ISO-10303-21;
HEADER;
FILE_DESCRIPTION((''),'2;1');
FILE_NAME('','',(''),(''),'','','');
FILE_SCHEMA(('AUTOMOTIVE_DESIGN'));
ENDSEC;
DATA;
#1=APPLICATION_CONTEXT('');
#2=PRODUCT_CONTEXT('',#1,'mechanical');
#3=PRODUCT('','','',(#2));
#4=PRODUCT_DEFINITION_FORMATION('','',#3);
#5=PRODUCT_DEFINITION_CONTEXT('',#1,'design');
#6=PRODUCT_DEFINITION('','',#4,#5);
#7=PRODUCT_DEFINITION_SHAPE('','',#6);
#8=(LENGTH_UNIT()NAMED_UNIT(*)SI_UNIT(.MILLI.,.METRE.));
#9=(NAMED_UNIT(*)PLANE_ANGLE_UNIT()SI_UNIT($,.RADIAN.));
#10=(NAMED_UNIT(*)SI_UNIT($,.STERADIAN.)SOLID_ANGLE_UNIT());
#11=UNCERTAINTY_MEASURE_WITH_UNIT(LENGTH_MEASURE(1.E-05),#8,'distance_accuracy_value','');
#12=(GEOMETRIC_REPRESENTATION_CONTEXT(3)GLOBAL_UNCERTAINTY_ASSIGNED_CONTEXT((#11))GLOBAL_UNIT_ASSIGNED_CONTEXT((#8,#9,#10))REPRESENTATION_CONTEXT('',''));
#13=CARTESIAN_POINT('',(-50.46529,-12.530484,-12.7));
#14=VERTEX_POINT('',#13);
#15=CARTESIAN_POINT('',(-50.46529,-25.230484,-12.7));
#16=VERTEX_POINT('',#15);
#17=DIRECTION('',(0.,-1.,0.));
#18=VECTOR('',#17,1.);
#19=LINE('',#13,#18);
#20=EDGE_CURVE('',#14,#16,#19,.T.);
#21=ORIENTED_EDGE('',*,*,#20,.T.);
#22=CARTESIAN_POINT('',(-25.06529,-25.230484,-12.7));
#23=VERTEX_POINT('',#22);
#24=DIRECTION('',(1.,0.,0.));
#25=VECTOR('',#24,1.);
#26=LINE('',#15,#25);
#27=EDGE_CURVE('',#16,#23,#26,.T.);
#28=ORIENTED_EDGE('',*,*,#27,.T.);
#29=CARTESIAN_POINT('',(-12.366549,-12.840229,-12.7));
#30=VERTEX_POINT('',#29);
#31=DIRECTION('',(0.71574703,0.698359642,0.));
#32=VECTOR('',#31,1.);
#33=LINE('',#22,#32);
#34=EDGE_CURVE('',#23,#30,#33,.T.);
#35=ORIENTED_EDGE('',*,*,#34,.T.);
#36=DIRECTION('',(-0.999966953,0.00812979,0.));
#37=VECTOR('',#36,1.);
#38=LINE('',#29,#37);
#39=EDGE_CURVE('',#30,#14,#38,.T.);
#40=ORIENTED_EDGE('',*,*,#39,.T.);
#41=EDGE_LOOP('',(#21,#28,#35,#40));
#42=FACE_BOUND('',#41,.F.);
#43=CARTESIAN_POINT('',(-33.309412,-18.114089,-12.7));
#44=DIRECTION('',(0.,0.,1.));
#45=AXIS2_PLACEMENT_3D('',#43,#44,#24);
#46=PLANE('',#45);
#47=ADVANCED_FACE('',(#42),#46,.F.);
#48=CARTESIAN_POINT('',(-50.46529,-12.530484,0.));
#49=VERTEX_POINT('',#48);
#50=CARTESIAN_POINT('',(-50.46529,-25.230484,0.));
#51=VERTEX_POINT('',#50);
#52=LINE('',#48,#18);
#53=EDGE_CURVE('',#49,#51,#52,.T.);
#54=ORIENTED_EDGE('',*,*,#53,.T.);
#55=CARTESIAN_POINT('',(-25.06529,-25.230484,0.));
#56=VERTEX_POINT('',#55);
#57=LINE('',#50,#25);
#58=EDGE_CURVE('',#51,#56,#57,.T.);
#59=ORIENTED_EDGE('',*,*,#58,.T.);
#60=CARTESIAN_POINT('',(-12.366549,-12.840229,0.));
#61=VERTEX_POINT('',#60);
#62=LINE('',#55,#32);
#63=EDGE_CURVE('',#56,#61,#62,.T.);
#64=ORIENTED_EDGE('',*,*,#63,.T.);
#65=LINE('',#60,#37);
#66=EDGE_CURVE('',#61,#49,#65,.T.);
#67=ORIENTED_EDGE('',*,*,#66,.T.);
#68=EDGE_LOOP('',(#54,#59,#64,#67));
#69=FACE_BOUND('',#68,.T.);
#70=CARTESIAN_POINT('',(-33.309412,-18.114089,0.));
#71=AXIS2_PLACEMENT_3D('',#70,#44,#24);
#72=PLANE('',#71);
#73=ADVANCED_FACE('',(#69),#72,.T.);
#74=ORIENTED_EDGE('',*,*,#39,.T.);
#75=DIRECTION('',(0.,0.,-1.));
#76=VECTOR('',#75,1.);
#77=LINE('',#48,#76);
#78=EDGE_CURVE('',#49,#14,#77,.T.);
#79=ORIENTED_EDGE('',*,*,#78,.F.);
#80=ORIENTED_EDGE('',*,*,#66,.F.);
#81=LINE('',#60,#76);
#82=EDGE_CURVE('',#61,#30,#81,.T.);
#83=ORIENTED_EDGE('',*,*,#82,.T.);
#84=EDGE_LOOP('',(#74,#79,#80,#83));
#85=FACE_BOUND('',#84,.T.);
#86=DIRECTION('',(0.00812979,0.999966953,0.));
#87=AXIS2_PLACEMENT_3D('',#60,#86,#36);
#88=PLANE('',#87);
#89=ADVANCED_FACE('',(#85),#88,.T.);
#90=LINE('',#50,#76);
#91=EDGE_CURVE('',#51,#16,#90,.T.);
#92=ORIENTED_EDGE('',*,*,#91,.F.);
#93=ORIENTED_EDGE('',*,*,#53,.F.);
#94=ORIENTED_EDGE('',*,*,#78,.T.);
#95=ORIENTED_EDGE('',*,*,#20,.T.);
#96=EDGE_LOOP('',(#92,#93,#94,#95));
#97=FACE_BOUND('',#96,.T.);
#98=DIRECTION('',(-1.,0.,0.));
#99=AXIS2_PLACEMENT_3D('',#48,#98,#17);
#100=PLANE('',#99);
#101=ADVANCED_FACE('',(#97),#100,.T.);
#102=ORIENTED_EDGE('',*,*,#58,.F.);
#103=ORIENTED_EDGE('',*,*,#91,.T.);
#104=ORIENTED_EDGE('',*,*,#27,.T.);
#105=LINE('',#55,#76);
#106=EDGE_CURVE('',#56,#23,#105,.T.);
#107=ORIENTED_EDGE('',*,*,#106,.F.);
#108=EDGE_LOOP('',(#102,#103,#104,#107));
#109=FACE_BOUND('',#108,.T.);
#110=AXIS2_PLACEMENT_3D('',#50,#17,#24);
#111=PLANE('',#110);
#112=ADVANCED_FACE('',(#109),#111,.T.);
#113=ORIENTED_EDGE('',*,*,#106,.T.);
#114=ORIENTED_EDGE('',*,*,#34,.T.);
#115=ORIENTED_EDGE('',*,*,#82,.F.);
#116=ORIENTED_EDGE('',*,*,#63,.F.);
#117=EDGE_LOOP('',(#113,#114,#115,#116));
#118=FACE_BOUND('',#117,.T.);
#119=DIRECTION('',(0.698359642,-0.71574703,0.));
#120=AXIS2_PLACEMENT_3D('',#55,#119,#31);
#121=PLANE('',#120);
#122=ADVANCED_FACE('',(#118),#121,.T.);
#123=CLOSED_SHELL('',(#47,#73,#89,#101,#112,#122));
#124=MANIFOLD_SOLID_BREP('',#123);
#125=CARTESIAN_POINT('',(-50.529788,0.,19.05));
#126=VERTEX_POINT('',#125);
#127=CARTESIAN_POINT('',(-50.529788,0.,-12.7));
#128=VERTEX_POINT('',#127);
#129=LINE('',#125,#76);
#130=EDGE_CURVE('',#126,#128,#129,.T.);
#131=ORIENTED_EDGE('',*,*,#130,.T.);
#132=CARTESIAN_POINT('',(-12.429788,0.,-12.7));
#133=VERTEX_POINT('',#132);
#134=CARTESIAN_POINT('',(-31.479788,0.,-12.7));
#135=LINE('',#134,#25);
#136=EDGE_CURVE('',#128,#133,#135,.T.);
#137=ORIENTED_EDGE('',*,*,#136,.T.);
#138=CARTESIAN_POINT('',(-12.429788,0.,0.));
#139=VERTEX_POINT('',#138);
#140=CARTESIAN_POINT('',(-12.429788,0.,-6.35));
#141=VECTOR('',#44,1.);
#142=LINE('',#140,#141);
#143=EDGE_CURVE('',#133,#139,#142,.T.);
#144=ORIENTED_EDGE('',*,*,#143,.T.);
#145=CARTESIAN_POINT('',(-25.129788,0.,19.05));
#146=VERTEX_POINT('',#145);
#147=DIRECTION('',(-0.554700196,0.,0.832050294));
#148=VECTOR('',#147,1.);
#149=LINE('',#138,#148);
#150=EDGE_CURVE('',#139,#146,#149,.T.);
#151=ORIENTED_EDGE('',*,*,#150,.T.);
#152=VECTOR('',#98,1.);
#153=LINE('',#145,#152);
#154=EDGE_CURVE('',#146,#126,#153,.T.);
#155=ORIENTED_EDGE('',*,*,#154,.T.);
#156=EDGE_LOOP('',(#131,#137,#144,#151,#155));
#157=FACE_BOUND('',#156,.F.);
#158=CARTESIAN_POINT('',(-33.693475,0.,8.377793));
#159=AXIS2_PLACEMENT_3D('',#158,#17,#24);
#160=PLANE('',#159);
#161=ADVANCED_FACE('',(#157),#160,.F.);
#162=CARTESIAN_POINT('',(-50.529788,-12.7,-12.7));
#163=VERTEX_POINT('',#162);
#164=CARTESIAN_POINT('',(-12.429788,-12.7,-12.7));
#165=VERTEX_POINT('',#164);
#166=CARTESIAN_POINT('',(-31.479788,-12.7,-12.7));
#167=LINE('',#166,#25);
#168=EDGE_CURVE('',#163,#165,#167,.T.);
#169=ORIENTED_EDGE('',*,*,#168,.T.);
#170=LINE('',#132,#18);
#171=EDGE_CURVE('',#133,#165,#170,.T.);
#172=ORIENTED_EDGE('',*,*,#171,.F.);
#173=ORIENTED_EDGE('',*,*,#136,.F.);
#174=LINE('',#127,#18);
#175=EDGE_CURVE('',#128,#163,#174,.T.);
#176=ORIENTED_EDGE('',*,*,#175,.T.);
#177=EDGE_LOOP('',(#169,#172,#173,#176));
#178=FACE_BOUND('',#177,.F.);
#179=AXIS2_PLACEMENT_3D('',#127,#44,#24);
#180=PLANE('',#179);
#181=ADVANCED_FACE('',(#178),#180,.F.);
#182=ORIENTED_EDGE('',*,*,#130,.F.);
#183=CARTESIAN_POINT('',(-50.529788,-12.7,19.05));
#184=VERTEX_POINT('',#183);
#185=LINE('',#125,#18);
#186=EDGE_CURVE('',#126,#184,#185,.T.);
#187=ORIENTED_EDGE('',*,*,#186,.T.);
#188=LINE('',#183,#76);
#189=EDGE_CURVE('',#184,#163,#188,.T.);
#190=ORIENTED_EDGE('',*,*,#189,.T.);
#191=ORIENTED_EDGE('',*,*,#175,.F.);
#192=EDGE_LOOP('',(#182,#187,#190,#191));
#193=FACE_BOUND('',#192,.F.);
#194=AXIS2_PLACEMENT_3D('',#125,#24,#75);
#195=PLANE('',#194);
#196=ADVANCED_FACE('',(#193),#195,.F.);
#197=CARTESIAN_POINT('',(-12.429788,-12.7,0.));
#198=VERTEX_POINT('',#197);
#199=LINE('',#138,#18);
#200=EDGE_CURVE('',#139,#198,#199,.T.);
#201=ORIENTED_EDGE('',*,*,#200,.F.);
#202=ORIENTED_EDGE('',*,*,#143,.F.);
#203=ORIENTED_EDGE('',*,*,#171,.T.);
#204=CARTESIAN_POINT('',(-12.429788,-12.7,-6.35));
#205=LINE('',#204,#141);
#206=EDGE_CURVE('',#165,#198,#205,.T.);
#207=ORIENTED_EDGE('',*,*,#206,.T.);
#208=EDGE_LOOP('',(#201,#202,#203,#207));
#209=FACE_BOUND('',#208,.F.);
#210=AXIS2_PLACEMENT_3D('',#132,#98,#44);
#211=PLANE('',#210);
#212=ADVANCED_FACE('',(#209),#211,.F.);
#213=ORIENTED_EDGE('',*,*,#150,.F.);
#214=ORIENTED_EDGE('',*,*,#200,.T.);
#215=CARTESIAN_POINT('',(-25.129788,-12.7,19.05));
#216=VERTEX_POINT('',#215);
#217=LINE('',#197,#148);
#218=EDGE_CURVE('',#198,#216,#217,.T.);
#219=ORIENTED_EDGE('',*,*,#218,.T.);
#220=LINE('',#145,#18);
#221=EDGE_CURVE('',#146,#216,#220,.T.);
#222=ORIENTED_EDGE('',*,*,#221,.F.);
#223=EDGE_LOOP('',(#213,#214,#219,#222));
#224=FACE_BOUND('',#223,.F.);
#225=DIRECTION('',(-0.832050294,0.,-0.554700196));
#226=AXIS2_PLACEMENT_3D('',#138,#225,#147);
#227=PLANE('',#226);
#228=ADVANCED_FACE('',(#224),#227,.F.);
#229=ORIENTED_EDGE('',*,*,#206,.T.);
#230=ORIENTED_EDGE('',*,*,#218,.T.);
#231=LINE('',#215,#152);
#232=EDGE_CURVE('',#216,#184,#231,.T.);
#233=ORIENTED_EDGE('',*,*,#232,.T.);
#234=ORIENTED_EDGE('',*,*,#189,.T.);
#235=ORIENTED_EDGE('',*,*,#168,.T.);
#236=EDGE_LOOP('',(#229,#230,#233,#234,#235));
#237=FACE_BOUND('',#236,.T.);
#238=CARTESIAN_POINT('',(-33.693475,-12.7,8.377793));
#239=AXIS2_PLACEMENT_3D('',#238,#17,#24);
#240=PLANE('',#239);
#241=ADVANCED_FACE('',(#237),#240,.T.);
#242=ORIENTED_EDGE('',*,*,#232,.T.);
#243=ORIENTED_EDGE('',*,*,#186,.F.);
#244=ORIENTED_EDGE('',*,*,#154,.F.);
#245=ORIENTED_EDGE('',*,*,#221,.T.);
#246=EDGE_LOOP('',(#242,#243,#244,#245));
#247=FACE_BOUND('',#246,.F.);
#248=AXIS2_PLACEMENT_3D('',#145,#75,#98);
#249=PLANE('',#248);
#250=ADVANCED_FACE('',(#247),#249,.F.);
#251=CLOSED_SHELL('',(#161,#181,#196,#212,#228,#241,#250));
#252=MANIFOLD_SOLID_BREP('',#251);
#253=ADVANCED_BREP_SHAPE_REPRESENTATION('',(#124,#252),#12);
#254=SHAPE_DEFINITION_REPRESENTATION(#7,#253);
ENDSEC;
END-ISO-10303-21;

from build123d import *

# Parameters (mm, degrees)
F0_W     = 38.1
F0_H     = 12.7
F1_DEPTH = 12.7
F3_DEPTH = 12.7


with BuildPart() as f1:
    # F0 (on Front) → F1 (new body)
    with BuildSketch(Plane.XZ):
        Polygon((-50.529788, 0), (-12.429788, 0), (-25.129788, 19.05), (-50.529788, 19.05), align=None)
        with Locations((-31.479788, -6.35)):
            Rectangle(F0_W, F0_H)
    extrude(amount=F1_DEPTH)


with BuildPart() as f3:
    # F2 (on Top) → F3 (new body)
    with BuildSketch(Plane.XY):
        Polygon((-12.366549, -12.840229), (-50.46529, -12.530484), (-50.46529, -25.230484), (-25.06529, -25.230484), align=None)
    extrude(amount=-F3_DEPTH)


solid = Compound([f1.part, f3.part])
